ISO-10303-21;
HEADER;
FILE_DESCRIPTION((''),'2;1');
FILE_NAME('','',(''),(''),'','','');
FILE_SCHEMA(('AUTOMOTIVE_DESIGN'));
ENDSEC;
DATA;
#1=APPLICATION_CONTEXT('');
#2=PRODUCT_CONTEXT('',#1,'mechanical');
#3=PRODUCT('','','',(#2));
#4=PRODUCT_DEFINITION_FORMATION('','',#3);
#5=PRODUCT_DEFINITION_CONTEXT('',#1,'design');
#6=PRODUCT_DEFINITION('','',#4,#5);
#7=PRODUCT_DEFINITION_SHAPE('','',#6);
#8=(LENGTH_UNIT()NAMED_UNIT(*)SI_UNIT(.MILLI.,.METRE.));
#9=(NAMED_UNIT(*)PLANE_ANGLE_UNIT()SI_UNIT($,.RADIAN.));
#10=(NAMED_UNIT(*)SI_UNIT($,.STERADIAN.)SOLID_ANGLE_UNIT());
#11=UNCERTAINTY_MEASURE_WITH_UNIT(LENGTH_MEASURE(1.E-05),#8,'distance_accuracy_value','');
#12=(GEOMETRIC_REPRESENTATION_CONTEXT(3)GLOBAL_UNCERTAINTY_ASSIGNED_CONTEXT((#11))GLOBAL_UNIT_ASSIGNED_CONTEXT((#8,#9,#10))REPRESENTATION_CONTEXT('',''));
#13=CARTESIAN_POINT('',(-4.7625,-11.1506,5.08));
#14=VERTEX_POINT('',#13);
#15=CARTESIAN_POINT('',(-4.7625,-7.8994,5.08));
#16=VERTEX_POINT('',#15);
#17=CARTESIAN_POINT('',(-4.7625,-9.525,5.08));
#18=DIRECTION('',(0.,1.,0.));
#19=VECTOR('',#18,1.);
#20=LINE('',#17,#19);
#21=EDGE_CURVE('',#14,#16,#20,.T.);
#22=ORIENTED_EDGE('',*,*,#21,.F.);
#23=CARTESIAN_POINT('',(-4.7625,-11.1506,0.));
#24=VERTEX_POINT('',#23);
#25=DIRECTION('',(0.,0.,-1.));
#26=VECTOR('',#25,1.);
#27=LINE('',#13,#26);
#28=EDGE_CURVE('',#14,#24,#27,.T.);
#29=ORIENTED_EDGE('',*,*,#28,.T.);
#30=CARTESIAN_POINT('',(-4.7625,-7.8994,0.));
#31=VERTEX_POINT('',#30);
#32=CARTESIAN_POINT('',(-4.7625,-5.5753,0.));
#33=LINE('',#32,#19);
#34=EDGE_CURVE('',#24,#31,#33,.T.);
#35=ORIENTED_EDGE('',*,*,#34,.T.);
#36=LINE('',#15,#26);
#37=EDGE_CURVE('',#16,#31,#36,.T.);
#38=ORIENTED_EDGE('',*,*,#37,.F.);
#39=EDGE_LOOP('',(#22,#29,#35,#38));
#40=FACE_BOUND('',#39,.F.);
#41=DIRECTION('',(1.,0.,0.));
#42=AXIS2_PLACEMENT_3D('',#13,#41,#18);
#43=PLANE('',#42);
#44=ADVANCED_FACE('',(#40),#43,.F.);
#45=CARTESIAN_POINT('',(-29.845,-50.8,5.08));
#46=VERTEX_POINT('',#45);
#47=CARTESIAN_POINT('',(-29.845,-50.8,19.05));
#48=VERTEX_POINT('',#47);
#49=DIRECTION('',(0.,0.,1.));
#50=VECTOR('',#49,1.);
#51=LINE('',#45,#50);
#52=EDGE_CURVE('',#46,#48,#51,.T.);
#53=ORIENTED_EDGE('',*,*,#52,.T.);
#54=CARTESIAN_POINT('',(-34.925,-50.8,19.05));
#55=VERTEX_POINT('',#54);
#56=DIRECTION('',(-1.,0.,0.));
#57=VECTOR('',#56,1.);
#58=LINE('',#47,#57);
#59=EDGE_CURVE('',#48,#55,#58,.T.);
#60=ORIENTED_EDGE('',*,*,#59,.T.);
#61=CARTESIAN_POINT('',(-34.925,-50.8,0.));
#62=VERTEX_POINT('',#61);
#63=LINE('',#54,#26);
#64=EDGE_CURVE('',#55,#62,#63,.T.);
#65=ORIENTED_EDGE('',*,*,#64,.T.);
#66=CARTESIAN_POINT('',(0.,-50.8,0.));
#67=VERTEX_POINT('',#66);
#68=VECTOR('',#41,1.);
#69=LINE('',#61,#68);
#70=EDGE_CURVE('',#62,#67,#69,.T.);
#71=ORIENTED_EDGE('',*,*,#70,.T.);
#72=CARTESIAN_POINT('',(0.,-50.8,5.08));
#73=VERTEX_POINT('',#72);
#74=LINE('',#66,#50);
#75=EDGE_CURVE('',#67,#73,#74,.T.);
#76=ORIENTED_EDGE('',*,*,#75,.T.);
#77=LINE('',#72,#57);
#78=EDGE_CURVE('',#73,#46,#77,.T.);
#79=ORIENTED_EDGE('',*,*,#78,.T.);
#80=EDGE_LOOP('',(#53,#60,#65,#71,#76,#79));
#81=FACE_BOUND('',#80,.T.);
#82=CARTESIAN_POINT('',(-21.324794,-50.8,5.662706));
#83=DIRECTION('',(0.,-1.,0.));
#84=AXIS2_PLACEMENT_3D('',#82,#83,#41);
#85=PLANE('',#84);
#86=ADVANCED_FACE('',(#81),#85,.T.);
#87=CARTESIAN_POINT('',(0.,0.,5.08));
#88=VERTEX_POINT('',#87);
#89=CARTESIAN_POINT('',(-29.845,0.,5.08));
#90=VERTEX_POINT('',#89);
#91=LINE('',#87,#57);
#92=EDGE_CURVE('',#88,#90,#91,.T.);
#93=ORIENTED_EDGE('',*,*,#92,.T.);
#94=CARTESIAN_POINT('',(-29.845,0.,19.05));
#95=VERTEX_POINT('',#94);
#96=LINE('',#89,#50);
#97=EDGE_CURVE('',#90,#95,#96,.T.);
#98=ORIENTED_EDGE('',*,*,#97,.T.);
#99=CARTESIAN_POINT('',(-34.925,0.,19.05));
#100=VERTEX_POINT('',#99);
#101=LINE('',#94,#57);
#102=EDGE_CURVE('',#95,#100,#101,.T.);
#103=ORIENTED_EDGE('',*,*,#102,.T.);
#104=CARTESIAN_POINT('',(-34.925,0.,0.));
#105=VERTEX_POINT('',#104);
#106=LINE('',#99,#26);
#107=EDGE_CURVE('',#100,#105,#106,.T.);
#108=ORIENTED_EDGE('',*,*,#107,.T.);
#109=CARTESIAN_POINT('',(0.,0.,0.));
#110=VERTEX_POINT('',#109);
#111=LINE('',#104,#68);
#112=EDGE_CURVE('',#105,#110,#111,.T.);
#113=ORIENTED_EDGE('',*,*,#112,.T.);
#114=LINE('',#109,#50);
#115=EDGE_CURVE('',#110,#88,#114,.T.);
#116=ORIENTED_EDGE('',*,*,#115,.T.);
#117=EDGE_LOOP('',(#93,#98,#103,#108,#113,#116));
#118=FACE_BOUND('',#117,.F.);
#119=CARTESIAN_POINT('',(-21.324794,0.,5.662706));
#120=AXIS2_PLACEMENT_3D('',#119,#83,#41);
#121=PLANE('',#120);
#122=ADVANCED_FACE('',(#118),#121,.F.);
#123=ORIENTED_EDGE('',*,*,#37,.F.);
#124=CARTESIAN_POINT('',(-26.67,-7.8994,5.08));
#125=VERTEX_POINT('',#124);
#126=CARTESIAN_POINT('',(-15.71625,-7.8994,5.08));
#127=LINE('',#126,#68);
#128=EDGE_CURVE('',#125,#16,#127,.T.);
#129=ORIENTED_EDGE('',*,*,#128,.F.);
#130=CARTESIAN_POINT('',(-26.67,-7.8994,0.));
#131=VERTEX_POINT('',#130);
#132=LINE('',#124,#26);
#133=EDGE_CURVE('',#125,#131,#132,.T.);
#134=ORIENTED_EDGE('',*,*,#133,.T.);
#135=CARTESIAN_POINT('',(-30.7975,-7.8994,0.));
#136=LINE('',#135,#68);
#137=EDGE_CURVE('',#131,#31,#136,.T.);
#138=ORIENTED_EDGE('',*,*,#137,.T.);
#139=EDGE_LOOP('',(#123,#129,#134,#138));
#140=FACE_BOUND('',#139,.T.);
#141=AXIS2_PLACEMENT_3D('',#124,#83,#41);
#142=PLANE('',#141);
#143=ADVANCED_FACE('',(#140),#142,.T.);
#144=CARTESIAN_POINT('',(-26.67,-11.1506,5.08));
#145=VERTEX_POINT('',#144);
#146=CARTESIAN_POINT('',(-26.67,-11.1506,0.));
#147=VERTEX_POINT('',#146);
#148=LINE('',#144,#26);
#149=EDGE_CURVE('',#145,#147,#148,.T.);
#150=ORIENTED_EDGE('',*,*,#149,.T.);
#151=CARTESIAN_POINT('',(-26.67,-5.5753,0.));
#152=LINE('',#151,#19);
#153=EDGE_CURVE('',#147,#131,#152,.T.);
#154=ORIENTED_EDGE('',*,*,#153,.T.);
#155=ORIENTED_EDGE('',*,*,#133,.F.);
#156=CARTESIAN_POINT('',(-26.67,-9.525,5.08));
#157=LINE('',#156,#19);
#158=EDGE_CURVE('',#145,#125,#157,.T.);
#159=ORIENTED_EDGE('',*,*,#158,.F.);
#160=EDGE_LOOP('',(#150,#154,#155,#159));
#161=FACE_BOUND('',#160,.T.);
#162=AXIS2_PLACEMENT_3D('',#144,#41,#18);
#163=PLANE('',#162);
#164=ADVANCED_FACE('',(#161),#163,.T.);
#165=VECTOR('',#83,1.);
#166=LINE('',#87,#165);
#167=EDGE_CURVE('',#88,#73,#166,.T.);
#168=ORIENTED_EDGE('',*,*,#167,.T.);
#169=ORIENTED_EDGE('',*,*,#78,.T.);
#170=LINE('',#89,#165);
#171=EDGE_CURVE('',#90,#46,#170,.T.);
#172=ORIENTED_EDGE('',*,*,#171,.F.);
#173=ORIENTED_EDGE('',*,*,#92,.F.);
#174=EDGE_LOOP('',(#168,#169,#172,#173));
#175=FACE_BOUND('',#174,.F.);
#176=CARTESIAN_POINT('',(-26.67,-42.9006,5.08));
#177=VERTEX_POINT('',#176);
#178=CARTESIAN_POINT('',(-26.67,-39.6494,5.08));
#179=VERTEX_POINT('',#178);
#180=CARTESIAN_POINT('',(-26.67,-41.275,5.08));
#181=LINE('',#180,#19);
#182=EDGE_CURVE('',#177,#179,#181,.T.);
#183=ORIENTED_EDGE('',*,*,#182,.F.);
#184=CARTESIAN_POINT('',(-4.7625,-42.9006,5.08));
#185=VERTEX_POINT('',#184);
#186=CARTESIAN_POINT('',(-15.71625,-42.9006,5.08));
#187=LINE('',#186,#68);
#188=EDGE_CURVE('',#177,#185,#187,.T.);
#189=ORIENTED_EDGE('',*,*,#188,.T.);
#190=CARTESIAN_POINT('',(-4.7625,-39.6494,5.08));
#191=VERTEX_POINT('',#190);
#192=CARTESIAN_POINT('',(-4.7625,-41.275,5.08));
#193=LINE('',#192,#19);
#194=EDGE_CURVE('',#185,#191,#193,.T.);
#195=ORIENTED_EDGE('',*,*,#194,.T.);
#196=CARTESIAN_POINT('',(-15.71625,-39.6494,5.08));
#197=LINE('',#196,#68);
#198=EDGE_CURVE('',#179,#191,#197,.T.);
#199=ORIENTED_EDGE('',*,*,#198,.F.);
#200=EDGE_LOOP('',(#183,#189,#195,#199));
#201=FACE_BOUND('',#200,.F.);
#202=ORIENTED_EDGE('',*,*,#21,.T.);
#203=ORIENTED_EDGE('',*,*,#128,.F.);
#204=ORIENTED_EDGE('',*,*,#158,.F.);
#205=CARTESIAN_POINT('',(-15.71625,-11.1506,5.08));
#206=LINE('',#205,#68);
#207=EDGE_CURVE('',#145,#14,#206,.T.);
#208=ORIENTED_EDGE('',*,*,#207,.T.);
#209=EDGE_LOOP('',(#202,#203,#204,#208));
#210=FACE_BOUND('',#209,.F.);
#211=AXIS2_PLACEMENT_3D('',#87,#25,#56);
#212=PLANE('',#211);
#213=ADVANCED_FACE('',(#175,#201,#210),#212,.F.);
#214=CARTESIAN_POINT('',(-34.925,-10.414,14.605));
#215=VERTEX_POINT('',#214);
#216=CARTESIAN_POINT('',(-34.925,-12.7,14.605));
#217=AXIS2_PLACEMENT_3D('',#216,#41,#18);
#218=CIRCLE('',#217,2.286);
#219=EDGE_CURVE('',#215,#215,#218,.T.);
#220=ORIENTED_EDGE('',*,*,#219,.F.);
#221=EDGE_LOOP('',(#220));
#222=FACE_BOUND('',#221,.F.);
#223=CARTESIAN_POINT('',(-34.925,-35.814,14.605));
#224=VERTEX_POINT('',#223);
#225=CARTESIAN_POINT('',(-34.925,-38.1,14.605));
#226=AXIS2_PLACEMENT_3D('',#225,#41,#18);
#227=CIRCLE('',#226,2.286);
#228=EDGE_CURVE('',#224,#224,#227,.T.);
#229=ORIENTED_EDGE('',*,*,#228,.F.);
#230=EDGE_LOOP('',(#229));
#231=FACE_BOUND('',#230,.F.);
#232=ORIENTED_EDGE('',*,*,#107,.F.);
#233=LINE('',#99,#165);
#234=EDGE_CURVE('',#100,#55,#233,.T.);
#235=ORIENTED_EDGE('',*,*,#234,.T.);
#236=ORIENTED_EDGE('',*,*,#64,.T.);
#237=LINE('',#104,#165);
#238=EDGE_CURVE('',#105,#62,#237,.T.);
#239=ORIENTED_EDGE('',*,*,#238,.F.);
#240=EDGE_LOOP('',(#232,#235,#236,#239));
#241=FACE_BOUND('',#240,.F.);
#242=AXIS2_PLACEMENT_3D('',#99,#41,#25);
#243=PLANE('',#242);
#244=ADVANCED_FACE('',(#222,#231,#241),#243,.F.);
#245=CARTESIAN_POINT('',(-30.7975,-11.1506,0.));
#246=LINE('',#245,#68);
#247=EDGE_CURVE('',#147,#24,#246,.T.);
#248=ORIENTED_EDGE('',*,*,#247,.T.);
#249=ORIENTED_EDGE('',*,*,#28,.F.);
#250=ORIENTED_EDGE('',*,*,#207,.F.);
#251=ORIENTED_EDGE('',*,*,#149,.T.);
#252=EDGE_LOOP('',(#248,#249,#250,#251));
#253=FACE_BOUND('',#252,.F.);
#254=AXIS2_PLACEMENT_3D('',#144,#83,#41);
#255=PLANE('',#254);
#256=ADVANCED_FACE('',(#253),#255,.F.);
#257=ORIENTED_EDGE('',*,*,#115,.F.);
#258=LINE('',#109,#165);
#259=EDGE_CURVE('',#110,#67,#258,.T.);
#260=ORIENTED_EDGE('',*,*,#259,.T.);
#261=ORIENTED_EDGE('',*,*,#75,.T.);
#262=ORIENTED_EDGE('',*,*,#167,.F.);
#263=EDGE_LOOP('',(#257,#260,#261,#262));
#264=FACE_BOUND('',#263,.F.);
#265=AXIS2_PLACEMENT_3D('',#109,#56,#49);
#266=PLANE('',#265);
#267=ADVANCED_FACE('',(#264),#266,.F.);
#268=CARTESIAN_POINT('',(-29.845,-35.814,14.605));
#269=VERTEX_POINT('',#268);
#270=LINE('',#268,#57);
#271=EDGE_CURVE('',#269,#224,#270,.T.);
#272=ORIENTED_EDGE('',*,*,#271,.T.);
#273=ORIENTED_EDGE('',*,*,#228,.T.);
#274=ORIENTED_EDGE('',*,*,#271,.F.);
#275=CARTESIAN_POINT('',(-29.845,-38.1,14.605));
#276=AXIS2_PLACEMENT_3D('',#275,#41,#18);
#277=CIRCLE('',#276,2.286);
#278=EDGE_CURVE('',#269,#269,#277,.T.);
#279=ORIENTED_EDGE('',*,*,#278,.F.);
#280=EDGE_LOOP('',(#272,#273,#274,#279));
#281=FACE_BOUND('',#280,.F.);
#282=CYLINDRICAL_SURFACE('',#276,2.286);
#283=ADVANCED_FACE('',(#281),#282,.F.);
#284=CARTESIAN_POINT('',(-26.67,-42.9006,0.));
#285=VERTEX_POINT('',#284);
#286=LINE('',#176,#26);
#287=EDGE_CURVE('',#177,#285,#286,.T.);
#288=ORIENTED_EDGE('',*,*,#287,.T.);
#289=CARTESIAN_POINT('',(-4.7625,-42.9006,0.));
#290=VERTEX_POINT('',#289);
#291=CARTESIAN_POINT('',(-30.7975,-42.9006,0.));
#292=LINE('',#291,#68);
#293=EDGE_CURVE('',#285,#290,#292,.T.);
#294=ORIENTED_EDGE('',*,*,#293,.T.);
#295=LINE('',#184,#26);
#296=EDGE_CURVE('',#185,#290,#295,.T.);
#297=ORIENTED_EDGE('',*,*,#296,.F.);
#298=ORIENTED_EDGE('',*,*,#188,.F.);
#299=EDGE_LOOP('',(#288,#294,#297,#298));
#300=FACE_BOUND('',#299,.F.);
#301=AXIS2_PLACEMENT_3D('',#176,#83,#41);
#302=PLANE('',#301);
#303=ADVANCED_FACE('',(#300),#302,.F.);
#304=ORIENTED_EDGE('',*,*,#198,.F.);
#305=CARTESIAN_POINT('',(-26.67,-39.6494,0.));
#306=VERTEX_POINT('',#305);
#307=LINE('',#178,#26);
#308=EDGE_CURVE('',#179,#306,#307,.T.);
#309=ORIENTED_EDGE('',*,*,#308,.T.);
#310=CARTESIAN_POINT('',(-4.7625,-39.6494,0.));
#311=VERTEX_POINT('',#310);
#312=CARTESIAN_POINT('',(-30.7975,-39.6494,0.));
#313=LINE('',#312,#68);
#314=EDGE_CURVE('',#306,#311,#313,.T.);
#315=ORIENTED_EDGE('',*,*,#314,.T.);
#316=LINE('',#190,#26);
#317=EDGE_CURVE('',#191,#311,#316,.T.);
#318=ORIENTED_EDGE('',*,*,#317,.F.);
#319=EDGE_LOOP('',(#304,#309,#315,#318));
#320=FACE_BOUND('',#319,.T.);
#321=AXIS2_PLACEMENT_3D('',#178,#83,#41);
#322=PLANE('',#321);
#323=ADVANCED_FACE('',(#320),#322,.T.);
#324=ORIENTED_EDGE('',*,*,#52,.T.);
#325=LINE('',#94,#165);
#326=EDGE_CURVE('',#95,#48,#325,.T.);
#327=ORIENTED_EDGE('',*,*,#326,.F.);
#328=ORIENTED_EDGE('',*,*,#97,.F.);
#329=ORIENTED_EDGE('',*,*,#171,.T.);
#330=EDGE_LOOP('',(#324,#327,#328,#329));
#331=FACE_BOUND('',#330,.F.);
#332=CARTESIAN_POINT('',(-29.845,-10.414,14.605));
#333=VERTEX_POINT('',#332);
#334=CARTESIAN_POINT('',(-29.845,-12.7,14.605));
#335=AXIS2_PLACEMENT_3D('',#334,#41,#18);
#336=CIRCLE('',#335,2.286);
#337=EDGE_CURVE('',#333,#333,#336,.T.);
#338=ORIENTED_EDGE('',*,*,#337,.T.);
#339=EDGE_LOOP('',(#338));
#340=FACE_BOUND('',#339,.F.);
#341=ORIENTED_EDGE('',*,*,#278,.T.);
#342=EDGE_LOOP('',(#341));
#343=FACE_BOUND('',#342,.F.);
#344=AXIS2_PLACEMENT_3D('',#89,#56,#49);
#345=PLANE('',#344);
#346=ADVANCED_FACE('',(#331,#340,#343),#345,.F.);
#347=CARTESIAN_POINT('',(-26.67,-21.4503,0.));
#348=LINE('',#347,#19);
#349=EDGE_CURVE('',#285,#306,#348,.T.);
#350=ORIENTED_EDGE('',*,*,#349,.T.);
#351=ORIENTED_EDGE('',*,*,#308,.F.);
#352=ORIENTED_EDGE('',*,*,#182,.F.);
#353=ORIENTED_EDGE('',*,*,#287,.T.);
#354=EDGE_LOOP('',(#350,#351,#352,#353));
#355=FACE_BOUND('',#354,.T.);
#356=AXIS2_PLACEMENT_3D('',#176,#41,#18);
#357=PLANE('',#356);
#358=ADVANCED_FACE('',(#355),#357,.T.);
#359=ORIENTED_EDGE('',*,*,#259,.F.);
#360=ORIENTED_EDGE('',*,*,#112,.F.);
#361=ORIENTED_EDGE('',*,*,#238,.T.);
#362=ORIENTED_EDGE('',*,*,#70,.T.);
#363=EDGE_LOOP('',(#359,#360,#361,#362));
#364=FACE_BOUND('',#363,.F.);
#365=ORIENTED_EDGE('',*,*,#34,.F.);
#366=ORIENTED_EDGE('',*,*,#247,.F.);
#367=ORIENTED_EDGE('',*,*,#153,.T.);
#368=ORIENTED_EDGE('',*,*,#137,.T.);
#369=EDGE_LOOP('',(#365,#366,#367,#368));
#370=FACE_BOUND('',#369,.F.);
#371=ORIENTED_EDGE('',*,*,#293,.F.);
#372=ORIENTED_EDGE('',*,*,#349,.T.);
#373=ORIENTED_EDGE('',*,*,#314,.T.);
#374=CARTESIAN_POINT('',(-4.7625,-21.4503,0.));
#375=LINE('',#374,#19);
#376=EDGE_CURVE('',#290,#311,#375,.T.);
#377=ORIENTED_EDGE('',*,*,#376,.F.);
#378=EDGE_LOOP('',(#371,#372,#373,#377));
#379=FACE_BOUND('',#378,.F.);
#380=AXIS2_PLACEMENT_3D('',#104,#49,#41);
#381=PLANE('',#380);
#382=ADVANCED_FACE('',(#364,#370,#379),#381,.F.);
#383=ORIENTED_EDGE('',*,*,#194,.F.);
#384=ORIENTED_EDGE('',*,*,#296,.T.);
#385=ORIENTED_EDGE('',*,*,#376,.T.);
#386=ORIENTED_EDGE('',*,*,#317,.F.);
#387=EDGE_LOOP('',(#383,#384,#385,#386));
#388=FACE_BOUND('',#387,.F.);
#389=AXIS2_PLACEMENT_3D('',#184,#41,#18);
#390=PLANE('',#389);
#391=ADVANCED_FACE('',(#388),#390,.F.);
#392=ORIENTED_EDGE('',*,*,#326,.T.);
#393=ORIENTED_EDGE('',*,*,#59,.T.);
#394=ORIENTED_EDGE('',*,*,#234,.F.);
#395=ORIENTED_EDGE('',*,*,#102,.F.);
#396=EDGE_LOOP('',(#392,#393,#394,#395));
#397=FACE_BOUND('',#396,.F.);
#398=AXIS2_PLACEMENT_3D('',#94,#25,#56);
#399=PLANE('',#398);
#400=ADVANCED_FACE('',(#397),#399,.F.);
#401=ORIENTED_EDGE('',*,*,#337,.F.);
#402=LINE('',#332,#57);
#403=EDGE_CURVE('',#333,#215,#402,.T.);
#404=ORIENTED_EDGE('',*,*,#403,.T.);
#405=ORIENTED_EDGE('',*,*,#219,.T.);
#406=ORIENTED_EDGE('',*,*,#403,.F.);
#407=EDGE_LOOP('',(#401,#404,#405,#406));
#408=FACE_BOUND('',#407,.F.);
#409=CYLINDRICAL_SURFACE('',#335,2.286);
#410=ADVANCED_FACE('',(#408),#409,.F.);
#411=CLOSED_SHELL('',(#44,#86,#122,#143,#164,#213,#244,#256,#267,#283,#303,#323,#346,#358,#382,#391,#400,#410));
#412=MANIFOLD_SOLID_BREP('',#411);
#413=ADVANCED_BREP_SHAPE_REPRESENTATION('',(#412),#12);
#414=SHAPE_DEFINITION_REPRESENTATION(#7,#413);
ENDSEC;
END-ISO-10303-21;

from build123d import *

# Parameters (mm, degrees)
F1_DEPTH = 50.8
F2_W     = 21.9075
F2_H     = 3.2512
F3_DEPTH = 25.4
F4_R     = 2.286
F5_DEPTH = 25.4


with BuildPart() as f1:
    # F0 (on Front) → F1 (new body)
    with BuildSketch(Plane.XZ):
        Polygon((-34.925, 0), (0, 0), (0, 5.08), (-29.845, 5.08), (-29.845, 19.05), (-34.925, 19.05), align=None)
    extrude(amount=F1_DEPTH)

    # F2 (on face) → F3 (cut)
    with BuildSketch(Plane.XY.offset(5.08)):
        with Locations((-15.71625, -41.275)):
            Rectangle(F2_W, F2_H)
        with Locations((-15.71625, -9.525)):
            Rectangle(F2_W, F2_H)
    extrude(amount=-F3_DEPTH, mode=Mode.SUBTRACT)

    # F4 (on face) → F5 (cut)
    with BuildSketch(Plane.YZ.offset(-29.845)):
        with Locations((-38.1, 14.605)):
            Circle(F4_R)
        with Locations((-12.7, 14.605)):
            Circle(F4_R)
    extrude(amount=-F5_DEPTH, mode=Mode.SUBTRACT)


solid = f1.part
